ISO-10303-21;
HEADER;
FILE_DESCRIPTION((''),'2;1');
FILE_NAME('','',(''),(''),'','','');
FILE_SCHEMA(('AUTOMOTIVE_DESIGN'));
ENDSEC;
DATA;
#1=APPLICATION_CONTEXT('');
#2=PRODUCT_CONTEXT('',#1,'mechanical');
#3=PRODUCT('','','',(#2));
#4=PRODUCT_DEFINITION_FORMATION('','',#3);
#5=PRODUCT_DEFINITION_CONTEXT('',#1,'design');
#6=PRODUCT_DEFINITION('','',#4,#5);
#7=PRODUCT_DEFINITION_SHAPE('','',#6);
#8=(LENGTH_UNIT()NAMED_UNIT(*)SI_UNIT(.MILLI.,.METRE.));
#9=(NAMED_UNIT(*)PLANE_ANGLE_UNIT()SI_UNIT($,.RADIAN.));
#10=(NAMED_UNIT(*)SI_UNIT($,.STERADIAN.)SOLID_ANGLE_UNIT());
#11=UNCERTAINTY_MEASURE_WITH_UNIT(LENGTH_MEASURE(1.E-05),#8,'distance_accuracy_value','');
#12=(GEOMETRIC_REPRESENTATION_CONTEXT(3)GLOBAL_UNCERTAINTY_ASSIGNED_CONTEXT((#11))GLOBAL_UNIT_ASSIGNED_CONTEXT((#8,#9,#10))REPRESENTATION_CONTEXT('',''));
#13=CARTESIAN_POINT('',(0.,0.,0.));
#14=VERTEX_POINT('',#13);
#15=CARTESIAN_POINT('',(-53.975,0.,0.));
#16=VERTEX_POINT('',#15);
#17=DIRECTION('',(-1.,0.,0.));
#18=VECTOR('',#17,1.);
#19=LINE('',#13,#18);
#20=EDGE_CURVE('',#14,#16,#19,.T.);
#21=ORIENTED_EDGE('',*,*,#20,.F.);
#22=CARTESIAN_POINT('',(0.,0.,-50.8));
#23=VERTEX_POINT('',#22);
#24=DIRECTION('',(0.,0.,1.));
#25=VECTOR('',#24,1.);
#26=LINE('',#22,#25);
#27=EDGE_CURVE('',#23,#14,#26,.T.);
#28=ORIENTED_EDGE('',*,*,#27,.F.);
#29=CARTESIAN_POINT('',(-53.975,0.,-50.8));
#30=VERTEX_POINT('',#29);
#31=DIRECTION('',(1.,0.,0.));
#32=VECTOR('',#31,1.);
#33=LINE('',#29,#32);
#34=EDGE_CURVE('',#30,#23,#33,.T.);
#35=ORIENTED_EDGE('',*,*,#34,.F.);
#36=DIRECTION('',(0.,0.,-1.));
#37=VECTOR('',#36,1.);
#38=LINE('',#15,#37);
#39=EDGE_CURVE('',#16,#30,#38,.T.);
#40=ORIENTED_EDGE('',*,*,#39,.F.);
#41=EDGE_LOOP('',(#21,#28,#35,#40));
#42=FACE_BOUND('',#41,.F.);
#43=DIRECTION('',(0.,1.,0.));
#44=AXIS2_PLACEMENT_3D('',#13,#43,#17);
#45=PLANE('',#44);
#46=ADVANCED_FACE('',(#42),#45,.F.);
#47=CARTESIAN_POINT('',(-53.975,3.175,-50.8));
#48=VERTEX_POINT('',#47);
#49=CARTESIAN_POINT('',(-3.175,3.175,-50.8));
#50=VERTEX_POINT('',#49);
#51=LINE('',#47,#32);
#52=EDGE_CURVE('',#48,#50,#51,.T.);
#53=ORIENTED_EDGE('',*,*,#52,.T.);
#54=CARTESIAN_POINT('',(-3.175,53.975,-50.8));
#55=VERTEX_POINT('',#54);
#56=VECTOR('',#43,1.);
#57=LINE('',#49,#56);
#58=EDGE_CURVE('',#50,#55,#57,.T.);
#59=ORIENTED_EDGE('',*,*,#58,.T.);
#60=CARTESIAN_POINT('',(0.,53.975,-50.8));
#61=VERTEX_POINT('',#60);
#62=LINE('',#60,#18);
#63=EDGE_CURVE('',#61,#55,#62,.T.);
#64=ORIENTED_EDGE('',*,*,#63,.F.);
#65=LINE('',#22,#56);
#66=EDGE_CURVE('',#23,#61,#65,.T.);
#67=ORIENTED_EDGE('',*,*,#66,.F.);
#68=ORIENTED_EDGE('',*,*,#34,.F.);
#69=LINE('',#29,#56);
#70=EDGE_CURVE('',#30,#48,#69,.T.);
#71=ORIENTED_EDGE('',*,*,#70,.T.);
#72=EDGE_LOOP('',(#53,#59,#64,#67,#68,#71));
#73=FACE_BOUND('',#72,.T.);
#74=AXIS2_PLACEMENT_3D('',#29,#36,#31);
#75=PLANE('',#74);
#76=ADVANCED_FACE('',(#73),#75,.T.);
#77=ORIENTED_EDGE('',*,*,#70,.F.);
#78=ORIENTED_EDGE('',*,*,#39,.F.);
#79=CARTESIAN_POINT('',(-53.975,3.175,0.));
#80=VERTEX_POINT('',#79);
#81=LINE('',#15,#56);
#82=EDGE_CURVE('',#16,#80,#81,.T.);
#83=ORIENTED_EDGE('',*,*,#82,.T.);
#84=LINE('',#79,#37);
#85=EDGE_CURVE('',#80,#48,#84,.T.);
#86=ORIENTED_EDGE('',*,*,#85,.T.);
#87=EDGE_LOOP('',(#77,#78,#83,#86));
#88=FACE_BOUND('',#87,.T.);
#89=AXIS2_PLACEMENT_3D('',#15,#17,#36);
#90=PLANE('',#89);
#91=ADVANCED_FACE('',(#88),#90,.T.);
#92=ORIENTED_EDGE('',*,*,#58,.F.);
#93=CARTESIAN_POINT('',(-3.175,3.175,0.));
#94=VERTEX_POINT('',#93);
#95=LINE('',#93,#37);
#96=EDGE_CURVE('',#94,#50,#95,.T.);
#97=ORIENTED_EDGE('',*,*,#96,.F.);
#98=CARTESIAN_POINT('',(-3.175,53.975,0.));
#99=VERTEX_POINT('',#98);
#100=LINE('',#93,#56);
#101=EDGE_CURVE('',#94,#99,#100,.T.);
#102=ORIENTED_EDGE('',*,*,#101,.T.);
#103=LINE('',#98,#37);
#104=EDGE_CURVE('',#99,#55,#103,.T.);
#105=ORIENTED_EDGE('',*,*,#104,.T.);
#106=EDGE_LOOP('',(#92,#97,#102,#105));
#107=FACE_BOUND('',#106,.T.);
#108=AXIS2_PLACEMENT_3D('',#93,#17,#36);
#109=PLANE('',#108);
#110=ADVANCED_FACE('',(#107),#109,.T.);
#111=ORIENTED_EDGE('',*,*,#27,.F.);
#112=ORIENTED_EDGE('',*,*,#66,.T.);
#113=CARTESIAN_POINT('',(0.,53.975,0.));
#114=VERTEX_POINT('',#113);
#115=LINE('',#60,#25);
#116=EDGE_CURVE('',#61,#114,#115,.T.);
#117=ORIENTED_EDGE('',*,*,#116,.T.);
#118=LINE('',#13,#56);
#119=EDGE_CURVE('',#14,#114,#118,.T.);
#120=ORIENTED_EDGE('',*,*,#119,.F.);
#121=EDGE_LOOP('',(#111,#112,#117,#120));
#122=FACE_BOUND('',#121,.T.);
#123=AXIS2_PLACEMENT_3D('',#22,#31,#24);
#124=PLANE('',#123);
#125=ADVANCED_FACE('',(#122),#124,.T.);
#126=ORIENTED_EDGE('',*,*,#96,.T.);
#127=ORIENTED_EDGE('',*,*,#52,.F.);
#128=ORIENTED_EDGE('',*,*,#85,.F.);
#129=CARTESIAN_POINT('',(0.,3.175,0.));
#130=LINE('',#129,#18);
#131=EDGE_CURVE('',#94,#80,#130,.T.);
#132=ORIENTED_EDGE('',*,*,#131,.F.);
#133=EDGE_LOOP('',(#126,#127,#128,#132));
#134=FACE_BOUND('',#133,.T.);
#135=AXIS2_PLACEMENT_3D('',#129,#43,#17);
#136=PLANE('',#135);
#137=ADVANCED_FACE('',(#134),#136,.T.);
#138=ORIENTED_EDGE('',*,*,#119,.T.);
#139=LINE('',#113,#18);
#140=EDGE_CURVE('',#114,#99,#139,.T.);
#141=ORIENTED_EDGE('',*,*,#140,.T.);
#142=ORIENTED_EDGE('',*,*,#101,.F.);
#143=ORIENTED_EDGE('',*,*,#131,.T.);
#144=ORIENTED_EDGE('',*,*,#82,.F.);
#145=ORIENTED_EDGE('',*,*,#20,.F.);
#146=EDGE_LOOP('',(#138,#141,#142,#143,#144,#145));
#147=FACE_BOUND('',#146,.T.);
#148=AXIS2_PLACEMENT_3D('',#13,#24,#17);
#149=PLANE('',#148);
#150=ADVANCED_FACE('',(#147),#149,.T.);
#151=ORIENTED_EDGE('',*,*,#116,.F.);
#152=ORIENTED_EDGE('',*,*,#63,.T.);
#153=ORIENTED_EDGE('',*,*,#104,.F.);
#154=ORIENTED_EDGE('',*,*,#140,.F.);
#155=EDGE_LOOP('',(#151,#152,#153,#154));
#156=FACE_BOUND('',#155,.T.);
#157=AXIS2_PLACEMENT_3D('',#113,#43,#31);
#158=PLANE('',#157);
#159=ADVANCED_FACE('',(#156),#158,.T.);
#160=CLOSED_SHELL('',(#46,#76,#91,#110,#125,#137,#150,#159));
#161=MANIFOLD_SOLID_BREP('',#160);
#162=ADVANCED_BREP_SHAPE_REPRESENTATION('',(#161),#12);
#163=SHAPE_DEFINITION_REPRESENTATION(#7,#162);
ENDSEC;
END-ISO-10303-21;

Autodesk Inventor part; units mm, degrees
ref_plane "YZ Plane" through (0, 0, 0) normal (1, 0, 0) x (0, 1, 0)
ref_plane "XZ Plane" through (0, 0, 0) normal (0, 1, 0) x (-1, 0, 0)
ref_plane "XY Plane" through (0, 0, 0) normal (0, 0, 1) x (1, 0, 0)
sketch "Sketch1" plane through (0, 0, 0) normal (0, 1, 0) x (-1, 0, 0)
  line L0 (0, 0) -> (53.975, 0)
  line L1 (53.975, 0) -> (53.975, -50.8)
  line L2 (53.975, -50.8) -> (0, -50.8)
  line L3 (0, -50.8) -> (0, 0)
  dimension "d0" = 53.975
  dimension "d1" = 50.8
extrude "Extrusion1" add sketch "Sketch1" along normal blind 3.175
sketch "Sketch2" plane through (0, 3.175, 0) normal (0, 1, 0) x (1, 0, 0)
  line L0 (0, 50.8) -> (-53.975, 50.8) projected
  line L1 (0, 0) -> (-3.175, 0)
  line L2 (-3.175, 0) -> (-3.175, 50.8)
  line L3 (-3.175, 50.8) -> (0, 50.8)
  line L4 (0, 50.8) -> (0, 0)
  dimension "d4" = 3.175
extrude "Extrusion2" add sketch "Sketch2" along normal blind 50.8
properties part number "H"
